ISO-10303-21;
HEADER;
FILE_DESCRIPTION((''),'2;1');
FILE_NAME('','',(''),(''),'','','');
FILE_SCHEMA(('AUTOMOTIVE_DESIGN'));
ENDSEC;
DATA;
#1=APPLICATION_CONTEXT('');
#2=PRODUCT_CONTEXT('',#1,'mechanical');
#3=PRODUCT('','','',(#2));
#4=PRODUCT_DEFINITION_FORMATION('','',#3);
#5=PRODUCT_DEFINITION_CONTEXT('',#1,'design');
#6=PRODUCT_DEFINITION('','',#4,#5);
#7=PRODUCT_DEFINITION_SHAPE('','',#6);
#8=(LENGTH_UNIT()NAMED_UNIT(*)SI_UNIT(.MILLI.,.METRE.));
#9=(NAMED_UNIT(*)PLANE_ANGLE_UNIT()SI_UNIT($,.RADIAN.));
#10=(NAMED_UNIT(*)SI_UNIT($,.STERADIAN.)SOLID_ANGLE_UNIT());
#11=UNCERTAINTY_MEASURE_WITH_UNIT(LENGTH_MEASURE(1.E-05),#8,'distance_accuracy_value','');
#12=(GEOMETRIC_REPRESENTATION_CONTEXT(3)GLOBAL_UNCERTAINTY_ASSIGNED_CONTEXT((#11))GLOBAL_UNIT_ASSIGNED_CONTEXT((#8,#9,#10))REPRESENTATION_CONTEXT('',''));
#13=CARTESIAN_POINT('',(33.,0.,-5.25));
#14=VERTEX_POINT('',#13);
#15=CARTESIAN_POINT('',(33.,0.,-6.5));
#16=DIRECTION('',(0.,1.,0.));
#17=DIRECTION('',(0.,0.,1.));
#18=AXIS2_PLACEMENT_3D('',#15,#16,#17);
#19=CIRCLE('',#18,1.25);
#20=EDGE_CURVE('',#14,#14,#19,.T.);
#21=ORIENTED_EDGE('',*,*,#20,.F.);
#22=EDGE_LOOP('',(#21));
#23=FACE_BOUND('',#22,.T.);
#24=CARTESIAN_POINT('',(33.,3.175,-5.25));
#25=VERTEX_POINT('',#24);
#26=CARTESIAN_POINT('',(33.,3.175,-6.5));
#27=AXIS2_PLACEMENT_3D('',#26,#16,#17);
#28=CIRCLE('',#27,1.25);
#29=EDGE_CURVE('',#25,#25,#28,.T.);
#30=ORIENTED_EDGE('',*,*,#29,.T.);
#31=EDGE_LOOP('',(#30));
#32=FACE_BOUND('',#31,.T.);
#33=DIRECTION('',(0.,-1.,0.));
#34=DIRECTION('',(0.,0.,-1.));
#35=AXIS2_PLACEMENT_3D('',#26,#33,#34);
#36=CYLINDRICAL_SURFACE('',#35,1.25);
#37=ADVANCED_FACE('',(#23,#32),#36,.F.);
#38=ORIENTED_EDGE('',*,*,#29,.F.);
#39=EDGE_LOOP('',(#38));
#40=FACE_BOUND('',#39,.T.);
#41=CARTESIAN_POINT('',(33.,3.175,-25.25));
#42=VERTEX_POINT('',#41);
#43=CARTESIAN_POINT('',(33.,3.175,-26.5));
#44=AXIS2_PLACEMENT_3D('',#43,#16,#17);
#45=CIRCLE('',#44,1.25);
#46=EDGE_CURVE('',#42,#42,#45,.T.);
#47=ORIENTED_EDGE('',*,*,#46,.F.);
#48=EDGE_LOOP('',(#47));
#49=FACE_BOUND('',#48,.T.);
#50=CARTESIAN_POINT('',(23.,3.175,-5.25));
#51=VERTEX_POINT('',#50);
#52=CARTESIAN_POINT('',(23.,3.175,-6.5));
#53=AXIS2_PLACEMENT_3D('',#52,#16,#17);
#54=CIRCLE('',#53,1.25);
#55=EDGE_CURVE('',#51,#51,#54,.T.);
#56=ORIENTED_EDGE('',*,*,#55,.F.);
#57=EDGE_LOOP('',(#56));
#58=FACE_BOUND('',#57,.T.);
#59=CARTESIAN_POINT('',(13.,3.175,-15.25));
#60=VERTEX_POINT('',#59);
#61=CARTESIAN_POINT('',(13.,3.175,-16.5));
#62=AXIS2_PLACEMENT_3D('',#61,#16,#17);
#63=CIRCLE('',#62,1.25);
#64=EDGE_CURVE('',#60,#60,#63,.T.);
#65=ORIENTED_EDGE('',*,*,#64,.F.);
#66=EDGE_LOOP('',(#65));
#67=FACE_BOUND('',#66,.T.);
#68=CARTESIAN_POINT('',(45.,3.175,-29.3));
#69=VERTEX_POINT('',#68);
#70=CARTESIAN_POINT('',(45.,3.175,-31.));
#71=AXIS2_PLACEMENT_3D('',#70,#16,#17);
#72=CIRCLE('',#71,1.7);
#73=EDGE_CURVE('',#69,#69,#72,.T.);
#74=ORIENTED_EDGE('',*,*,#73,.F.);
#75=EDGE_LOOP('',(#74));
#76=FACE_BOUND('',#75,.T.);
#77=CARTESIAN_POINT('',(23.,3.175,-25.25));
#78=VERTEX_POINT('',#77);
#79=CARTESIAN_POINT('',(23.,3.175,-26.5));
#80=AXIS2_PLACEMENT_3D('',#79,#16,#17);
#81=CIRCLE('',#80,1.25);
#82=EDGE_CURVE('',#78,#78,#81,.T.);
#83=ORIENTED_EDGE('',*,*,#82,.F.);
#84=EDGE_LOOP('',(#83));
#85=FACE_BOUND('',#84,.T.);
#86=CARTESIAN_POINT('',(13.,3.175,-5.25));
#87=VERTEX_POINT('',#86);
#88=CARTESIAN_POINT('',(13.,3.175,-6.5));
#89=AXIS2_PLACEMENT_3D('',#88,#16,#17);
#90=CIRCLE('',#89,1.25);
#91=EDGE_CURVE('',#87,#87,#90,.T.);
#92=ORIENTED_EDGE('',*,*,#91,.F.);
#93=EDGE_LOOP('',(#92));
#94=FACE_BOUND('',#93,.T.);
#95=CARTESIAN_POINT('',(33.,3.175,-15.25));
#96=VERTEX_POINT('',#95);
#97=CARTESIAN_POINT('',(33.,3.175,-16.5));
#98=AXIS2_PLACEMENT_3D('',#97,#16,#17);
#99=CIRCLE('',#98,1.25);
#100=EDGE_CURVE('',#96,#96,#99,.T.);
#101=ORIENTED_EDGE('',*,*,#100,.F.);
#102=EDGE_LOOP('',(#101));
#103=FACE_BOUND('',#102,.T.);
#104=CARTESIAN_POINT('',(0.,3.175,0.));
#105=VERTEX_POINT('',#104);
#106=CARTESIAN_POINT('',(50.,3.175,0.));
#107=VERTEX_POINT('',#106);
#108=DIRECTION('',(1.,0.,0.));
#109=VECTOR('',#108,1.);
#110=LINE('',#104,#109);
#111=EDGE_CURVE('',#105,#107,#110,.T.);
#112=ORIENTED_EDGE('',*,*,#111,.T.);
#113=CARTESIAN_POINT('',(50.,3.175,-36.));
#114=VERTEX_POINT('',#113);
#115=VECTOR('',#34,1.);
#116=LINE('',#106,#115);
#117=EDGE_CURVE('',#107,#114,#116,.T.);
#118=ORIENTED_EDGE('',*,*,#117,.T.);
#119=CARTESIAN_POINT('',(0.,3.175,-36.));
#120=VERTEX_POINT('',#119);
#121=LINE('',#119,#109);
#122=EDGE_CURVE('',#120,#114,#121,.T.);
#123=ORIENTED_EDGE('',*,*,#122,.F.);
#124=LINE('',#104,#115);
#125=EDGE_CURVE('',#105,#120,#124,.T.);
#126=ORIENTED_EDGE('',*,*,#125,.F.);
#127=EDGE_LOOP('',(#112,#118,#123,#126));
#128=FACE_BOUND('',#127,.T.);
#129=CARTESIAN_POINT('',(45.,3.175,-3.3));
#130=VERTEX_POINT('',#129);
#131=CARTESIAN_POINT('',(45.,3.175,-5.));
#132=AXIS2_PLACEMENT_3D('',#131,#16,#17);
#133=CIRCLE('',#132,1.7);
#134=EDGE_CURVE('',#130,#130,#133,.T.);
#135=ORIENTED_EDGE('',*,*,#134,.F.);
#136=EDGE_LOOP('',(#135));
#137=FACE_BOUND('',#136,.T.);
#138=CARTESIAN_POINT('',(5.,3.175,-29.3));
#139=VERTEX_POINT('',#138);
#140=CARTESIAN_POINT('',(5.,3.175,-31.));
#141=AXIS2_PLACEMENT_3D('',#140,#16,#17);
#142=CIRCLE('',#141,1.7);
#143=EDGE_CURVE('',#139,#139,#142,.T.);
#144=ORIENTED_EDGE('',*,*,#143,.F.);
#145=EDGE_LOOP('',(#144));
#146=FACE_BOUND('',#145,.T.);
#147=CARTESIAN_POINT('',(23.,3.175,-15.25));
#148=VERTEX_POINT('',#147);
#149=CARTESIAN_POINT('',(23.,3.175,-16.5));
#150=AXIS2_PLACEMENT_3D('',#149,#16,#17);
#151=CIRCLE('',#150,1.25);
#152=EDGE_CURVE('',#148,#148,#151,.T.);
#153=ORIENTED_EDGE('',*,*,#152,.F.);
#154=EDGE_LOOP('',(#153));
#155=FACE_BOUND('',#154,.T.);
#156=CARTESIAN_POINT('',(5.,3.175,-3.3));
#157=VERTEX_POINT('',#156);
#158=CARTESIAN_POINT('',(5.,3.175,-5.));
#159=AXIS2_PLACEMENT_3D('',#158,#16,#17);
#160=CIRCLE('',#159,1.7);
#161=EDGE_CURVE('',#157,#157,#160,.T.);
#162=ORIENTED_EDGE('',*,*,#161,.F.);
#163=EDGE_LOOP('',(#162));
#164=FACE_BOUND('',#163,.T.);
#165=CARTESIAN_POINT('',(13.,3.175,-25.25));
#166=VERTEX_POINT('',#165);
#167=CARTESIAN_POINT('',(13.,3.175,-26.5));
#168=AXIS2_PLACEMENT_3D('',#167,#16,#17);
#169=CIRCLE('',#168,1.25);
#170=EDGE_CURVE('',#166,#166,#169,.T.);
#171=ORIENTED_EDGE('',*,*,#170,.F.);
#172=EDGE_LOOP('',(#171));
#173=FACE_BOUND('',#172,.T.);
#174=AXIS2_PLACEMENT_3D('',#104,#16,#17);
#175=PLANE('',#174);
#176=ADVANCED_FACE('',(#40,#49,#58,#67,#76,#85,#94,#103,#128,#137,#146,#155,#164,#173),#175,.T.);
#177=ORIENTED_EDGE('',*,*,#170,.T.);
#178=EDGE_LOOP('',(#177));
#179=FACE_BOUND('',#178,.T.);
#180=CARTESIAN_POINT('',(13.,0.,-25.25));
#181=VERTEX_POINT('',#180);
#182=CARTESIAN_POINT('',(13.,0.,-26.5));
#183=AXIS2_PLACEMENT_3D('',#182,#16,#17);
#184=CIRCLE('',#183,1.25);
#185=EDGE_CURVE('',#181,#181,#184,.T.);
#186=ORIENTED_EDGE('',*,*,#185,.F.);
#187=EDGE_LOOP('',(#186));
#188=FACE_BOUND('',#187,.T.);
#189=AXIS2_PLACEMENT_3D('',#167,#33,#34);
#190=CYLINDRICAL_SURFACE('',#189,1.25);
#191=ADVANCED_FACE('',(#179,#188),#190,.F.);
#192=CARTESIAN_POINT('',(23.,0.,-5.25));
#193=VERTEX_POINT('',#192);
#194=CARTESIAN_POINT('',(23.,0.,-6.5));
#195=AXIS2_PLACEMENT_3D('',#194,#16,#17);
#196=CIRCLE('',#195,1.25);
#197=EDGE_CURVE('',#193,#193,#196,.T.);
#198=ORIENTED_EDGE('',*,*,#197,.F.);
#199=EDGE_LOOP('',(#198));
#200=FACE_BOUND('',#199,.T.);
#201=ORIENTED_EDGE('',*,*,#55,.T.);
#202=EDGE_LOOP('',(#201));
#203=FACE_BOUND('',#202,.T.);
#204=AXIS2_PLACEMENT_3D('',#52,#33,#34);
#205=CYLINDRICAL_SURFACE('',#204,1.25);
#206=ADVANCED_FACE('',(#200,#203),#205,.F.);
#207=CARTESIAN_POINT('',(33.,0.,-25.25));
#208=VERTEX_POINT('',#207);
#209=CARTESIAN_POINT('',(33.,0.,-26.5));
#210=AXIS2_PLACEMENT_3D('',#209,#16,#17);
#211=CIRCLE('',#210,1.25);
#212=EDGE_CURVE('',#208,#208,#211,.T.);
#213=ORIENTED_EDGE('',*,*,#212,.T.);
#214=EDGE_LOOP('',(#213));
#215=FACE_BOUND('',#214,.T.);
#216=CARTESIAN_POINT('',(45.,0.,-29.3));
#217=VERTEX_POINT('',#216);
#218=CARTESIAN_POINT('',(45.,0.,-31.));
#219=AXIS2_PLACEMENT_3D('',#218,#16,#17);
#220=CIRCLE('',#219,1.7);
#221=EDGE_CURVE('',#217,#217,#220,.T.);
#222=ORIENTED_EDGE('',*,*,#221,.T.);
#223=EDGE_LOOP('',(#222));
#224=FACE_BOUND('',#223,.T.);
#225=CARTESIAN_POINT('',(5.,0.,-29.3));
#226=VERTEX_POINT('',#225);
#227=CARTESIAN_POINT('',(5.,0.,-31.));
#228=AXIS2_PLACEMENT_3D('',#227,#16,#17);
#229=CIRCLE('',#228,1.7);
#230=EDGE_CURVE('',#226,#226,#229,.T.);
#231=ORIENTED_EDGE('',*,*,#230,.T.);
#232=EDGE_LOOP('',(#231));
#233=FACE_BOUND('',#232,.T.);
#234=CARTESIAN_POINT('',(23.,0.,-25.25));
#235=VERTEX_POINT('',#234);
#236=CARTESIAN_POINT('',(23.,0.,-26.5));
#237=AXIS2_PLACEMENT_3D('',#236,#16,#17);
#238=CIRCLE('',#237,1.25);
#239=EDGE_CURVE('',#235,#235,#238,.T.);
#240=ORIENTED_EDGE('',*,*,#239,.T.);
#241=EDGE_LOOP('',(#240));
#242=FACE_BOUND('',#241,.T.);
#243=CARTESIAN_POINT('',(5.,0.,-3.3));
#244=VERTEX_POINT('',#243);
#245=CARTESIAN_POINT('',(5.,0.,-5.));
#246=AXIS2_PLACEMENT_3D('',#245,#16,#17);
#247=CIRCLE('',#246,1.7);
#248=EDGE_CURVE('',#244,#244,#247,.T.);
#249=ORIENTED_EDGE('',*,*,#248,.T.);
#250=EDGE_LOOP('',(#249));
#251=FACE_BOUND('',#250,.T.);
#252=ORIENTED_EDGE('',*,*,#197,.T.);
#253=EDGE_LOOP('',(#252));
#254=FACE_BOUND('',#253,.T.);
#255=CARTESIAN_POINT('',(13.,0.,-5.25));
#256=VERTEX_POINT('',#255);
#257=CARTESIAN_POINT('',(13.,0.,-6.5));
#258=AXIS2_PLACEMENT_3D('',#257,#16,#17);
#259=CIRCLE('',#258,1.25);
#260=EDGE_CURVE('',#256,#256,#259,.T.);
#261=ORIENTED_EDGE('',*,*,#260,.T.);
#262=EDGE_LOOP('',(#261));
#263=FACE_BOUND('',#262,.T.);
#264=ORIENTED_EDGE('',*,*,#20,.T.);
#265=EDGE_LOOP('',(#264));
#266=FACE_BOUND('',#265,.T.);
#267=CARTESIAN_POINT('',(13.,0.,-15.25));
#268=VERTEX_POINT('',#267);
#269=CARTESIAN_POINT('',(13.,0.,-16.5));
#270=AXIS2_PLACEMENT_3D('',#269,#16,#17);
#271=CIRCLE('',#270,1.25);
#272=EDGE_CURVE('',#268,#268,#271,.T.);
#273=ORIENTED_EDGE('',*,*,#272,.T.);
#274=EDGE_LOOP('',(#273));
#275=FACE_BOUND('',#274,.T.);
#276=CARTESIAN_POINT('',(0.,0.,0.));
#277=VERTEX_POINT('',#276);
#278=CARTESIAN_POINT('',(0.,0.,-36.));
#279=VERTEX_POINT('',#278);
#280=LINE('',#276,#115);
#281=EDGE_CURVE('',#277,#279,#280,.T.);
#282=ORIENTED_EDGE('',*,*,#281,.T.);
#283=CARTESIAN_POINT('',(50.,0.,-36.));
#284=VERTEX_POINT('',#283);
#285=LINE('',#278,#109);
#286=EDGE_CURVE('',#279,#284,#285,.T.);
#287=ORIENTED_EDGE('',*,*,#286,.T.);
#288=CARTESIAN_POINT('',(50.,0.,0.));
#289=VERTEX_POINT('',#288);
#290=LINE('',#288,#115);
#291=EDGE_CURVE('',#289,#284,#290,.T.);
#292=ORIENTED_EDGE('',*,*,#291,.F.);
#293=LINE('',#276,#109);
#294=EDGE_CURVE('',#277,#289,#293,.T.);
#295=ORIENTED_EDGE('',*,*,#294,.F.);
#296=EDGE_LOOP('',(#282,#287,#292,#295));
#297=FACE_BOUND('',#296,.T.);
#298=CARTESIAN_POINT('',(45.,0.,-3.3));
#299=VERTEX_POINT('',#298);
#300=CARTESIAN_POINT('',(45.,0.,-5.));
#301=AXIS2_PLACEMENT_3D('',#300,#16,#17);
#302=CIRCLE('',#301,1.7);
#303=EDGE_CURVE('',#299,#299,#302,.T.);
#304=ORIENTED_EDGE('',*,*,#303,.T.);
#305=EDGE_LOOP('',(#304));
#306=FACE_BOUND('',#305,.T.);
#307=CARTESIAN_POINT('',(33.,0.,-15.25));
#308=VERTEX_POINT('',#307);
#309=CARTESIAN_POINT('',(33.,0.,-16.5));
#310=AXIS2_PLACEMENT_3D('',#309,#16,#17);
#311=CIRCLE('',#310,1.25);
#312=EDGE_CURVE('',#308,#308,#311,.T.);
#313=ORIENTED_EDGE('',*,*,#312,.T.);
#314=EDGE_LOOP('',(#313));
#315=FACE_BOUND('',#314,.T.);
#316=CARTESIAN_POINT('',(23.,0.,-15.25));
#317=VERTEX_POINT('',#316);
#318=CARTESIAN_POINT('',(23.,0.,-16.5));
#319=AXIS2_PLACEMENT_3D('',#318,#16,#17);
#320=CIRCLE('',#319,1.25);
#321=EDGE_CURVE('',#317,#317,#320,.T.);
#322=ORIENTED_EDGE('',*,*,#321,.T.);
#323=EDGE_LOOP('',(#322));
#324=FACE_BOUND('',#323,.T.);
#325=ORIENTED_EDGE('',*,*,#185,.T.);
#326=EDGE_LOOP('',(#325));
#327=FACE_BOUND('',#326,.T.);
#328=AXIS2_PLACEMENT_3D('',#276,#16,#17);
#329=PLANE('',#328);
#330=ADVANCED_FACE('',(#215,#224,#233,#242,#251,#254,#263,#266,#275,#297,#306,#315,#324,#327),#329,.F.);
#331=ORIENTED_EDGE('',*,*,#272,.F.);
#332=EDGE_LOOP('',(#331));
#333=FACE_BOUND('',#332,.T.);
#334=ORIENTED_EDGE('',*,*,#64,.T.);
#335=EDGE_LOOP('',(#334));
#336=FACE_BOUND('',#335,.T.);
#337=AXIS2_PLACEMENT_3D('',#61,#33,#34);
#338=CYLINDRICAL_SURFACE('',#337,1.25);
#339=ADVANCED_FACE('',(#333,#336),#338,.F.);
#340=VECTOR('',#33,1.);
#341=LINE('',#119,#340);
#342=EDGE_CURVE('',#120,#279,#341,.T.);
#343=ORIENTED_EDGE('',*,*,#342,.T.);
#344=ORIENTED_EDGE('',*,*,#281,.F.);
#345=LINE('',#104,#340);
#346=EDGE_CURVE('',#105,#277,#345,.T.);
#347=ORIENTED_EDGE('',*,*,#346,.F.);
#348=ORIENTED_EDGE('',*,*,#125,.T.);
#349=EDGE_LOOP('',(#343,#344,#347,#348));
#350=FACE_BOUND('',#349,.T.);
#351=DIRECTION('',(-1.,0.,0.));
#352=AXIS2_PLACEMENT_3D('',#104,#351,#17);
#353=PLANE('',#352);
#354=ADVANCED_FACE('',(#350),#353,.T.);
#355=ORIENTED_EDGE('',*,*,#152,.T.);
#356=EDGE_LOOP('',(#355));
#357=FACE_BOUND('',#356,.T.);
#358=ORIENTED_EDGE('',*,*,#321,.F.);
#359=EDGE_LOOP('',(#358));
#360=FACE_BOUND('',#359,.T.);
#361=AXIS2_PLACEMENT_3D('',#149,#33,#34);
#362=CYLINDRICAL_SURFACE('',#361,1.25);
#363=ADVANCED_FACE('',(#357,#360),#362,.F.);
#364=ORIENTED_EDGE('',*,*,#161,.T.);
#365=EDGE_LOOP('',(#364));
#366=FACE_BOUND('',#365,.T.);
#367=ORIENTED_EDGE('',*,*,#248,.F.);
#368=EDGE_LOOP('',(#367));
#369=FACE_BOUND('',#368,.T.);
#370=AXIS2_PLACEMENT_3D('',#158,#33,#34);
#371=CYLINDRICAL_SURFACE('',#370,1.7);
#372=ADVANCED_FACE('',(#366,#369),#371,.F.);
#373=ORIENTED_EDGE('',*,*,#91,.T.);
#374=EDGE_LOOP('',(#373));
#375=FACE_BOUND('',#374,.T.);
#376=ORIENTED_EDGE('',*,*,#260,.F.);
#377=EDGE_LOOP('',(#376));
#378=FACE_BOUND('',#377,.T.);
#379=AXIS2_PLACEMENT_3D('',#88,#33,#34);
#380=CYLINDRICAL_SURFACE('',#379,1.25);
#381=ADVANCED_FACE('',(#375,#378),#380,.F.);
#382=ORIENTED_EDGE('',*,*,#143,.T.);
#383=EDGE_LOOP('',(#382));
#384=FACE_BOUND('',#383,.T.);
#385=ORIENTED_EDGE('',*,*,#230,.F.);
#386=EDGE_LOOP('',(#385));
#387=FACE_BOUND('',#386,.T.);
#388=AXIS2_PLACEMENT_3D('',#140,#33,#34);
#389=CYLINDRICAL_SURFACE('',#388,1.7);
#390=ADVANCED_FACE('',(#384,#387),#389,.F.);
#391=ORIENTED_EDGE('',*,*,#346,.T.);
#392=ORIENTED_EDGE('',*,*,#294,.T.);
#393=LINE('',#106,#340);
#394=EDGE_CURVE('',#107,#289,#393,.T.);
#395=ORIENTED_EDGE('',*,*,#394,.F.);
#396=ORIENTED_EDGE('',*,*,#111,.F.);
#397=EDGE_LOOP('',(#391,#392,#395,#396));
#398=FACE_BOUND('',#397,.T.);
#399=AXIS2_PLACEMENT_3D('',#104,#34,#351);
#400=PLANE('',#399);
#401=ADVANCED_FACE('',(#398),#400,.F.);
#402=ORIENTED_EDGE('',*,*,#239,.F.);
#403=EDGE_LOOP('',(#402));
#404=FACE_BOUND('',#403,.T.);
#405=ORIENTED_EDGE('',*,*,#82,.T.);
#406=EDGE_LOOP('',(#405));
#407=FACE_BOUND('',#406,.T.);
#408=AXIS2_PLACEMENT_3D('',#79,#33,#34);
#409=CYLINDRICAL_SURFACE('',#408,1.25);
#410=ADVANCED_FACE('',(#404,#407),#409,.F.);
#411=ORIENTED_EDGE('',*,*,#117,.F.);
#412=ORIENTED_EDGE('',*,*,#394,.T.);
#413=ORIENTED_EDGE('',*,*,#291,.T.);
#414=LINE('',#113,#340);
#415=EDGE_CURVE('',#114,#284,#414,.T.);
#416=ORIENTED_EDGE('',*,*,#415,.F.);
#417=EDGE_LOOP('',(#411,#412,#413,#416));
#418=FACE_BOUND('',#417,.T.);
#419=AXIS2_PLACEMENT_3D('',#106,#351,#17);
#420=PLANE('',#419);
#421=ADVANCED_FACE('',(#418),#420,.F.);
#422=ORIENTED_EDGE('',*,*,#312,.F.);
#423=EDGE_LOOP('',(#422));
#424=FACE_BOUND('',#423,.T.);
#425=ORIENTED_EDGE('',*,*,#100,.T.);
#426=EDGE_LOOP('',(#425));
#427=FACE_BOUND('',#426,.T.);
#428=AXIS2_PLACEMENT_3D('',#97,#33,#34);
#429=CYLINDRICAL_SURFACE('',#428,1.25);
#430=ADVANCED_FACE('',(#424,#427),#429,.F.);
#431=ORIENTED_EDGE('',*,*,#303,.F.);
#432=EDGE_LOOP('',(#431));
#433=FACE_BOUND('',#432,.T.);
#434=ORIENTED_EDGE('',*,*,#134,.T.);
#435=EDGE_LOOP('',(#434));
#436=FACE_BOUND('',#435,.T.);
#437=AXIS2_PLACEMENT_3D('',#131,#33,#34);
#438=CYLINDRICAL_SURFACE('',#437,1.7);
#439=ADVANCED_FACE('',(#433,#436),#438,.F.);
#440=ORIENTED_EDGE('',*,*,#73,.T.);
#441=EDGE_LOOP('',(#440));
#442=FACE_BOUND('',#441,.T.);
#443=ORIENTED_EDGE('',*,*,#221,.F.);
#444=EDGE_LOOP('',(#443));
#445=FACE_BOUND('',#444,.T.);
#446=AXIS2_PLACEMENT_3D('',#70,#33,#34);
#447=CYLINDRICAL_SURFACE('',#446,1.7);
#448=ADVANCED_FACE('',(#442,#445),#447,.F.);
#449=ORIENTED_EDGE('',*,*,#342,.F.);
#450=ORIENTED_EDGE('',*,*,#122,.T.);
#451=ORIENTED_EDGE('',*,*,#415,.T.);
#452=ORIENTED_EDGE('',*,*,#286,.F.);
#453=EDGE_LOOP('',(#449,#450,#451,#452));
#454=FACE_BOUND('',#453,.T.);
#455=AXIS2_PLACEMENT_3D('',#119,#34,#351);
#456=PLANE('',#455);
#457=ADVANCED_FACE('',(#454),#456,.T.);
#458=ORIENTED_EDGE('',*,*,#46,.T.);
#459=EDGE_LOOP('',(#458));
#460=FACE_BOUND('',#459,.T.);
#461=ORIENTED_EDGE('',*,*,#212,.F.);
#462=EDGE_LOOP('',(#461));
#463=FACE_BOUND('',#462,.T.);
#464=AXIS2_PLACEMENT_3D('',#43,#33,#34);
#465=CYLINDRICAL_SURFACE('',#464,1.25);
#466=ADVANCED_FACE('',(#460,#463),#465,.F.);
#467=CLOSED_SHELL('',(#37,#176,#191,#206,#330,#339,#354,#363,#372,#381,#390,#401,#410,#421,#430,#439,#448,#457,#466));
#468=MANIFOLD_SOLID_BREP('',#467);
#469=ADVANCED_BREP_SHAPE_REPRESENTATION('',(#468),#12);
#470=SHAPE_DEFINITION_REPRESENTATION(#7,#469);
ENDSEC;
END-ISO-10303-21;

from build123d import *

# Parameters (mm, degrees)
SKETCH1_W           = 50
SKETCH1_H           = 36
SKETCH1_R           = 1.25
SKETCH1_R_2         = 1.7
BOSS_EXTRUDE1_DEPTH = 3.175


with BuildPart() as part:
    # Sketch1 → Boss-Extrude1 (new body)
    with BuildSketch(Plane(origin=(0, 0, 0), x_dir=(1, 0, 0), z_dir=(0, 1, 0))):
        with Locations((25, 18)):
            Rectangle(SKETCH1_W, SKETCH1_H)
        with Locations((13, 6.5)):
            Circle(SKETCH1_R, mode=Mode.SUBTRACT)
        with Locations((5, 5)):
            Circle(SKETCH1_R_2, mode=Mode.SUBTRACT)
        with Locations((5, 31)):
            Circle(SKETCH1_R_2, mode=Mode.SUBTRACT)
        with Locations((45, 31)):
            Circle(SKETCH1_R_2, mode=Mode.SUBTRACT)
        with Locations((45, 5)):
            Circle(SKETCH1_R_2, mode=Mode.SUBTRACT)
        with Locations((23, 6.5)):
            Circle(SKETCH1_R, mode=Mode.SUBTRACT)
        with Locations((33, 6.5)):
            Circle(SKETCH1_R, mode=Mode.SUBTRACT)
        with Locations((23, 16.5)):
            Circle(SKETCH1_R, mode=Mode.SUBTRACT)
        with Locations((33, 16.5)):
            Circle(SKETCH1_R, mode=Mode.SUBTRACT)
        with Locations((23, 26.5)):
            Circle(SKETCH1_R, mode=Mode.SUBTRACT)
        with Locations((33, 26.5)):
            Circle(SKETCH1_R, mode=Mode.SUBTRACT)
        with Locations((13, 16.5)):
            Circle(SKETCH1_R, mode=Mode.SUBTRACT)
        with Locations((13, 26.5)):
            Circle(SKETCH1_R, mode=Mode.SUBTRACT)
    extrude(amount=BOSS_EXTRUDE1_DEPTH)


solid = part.part
